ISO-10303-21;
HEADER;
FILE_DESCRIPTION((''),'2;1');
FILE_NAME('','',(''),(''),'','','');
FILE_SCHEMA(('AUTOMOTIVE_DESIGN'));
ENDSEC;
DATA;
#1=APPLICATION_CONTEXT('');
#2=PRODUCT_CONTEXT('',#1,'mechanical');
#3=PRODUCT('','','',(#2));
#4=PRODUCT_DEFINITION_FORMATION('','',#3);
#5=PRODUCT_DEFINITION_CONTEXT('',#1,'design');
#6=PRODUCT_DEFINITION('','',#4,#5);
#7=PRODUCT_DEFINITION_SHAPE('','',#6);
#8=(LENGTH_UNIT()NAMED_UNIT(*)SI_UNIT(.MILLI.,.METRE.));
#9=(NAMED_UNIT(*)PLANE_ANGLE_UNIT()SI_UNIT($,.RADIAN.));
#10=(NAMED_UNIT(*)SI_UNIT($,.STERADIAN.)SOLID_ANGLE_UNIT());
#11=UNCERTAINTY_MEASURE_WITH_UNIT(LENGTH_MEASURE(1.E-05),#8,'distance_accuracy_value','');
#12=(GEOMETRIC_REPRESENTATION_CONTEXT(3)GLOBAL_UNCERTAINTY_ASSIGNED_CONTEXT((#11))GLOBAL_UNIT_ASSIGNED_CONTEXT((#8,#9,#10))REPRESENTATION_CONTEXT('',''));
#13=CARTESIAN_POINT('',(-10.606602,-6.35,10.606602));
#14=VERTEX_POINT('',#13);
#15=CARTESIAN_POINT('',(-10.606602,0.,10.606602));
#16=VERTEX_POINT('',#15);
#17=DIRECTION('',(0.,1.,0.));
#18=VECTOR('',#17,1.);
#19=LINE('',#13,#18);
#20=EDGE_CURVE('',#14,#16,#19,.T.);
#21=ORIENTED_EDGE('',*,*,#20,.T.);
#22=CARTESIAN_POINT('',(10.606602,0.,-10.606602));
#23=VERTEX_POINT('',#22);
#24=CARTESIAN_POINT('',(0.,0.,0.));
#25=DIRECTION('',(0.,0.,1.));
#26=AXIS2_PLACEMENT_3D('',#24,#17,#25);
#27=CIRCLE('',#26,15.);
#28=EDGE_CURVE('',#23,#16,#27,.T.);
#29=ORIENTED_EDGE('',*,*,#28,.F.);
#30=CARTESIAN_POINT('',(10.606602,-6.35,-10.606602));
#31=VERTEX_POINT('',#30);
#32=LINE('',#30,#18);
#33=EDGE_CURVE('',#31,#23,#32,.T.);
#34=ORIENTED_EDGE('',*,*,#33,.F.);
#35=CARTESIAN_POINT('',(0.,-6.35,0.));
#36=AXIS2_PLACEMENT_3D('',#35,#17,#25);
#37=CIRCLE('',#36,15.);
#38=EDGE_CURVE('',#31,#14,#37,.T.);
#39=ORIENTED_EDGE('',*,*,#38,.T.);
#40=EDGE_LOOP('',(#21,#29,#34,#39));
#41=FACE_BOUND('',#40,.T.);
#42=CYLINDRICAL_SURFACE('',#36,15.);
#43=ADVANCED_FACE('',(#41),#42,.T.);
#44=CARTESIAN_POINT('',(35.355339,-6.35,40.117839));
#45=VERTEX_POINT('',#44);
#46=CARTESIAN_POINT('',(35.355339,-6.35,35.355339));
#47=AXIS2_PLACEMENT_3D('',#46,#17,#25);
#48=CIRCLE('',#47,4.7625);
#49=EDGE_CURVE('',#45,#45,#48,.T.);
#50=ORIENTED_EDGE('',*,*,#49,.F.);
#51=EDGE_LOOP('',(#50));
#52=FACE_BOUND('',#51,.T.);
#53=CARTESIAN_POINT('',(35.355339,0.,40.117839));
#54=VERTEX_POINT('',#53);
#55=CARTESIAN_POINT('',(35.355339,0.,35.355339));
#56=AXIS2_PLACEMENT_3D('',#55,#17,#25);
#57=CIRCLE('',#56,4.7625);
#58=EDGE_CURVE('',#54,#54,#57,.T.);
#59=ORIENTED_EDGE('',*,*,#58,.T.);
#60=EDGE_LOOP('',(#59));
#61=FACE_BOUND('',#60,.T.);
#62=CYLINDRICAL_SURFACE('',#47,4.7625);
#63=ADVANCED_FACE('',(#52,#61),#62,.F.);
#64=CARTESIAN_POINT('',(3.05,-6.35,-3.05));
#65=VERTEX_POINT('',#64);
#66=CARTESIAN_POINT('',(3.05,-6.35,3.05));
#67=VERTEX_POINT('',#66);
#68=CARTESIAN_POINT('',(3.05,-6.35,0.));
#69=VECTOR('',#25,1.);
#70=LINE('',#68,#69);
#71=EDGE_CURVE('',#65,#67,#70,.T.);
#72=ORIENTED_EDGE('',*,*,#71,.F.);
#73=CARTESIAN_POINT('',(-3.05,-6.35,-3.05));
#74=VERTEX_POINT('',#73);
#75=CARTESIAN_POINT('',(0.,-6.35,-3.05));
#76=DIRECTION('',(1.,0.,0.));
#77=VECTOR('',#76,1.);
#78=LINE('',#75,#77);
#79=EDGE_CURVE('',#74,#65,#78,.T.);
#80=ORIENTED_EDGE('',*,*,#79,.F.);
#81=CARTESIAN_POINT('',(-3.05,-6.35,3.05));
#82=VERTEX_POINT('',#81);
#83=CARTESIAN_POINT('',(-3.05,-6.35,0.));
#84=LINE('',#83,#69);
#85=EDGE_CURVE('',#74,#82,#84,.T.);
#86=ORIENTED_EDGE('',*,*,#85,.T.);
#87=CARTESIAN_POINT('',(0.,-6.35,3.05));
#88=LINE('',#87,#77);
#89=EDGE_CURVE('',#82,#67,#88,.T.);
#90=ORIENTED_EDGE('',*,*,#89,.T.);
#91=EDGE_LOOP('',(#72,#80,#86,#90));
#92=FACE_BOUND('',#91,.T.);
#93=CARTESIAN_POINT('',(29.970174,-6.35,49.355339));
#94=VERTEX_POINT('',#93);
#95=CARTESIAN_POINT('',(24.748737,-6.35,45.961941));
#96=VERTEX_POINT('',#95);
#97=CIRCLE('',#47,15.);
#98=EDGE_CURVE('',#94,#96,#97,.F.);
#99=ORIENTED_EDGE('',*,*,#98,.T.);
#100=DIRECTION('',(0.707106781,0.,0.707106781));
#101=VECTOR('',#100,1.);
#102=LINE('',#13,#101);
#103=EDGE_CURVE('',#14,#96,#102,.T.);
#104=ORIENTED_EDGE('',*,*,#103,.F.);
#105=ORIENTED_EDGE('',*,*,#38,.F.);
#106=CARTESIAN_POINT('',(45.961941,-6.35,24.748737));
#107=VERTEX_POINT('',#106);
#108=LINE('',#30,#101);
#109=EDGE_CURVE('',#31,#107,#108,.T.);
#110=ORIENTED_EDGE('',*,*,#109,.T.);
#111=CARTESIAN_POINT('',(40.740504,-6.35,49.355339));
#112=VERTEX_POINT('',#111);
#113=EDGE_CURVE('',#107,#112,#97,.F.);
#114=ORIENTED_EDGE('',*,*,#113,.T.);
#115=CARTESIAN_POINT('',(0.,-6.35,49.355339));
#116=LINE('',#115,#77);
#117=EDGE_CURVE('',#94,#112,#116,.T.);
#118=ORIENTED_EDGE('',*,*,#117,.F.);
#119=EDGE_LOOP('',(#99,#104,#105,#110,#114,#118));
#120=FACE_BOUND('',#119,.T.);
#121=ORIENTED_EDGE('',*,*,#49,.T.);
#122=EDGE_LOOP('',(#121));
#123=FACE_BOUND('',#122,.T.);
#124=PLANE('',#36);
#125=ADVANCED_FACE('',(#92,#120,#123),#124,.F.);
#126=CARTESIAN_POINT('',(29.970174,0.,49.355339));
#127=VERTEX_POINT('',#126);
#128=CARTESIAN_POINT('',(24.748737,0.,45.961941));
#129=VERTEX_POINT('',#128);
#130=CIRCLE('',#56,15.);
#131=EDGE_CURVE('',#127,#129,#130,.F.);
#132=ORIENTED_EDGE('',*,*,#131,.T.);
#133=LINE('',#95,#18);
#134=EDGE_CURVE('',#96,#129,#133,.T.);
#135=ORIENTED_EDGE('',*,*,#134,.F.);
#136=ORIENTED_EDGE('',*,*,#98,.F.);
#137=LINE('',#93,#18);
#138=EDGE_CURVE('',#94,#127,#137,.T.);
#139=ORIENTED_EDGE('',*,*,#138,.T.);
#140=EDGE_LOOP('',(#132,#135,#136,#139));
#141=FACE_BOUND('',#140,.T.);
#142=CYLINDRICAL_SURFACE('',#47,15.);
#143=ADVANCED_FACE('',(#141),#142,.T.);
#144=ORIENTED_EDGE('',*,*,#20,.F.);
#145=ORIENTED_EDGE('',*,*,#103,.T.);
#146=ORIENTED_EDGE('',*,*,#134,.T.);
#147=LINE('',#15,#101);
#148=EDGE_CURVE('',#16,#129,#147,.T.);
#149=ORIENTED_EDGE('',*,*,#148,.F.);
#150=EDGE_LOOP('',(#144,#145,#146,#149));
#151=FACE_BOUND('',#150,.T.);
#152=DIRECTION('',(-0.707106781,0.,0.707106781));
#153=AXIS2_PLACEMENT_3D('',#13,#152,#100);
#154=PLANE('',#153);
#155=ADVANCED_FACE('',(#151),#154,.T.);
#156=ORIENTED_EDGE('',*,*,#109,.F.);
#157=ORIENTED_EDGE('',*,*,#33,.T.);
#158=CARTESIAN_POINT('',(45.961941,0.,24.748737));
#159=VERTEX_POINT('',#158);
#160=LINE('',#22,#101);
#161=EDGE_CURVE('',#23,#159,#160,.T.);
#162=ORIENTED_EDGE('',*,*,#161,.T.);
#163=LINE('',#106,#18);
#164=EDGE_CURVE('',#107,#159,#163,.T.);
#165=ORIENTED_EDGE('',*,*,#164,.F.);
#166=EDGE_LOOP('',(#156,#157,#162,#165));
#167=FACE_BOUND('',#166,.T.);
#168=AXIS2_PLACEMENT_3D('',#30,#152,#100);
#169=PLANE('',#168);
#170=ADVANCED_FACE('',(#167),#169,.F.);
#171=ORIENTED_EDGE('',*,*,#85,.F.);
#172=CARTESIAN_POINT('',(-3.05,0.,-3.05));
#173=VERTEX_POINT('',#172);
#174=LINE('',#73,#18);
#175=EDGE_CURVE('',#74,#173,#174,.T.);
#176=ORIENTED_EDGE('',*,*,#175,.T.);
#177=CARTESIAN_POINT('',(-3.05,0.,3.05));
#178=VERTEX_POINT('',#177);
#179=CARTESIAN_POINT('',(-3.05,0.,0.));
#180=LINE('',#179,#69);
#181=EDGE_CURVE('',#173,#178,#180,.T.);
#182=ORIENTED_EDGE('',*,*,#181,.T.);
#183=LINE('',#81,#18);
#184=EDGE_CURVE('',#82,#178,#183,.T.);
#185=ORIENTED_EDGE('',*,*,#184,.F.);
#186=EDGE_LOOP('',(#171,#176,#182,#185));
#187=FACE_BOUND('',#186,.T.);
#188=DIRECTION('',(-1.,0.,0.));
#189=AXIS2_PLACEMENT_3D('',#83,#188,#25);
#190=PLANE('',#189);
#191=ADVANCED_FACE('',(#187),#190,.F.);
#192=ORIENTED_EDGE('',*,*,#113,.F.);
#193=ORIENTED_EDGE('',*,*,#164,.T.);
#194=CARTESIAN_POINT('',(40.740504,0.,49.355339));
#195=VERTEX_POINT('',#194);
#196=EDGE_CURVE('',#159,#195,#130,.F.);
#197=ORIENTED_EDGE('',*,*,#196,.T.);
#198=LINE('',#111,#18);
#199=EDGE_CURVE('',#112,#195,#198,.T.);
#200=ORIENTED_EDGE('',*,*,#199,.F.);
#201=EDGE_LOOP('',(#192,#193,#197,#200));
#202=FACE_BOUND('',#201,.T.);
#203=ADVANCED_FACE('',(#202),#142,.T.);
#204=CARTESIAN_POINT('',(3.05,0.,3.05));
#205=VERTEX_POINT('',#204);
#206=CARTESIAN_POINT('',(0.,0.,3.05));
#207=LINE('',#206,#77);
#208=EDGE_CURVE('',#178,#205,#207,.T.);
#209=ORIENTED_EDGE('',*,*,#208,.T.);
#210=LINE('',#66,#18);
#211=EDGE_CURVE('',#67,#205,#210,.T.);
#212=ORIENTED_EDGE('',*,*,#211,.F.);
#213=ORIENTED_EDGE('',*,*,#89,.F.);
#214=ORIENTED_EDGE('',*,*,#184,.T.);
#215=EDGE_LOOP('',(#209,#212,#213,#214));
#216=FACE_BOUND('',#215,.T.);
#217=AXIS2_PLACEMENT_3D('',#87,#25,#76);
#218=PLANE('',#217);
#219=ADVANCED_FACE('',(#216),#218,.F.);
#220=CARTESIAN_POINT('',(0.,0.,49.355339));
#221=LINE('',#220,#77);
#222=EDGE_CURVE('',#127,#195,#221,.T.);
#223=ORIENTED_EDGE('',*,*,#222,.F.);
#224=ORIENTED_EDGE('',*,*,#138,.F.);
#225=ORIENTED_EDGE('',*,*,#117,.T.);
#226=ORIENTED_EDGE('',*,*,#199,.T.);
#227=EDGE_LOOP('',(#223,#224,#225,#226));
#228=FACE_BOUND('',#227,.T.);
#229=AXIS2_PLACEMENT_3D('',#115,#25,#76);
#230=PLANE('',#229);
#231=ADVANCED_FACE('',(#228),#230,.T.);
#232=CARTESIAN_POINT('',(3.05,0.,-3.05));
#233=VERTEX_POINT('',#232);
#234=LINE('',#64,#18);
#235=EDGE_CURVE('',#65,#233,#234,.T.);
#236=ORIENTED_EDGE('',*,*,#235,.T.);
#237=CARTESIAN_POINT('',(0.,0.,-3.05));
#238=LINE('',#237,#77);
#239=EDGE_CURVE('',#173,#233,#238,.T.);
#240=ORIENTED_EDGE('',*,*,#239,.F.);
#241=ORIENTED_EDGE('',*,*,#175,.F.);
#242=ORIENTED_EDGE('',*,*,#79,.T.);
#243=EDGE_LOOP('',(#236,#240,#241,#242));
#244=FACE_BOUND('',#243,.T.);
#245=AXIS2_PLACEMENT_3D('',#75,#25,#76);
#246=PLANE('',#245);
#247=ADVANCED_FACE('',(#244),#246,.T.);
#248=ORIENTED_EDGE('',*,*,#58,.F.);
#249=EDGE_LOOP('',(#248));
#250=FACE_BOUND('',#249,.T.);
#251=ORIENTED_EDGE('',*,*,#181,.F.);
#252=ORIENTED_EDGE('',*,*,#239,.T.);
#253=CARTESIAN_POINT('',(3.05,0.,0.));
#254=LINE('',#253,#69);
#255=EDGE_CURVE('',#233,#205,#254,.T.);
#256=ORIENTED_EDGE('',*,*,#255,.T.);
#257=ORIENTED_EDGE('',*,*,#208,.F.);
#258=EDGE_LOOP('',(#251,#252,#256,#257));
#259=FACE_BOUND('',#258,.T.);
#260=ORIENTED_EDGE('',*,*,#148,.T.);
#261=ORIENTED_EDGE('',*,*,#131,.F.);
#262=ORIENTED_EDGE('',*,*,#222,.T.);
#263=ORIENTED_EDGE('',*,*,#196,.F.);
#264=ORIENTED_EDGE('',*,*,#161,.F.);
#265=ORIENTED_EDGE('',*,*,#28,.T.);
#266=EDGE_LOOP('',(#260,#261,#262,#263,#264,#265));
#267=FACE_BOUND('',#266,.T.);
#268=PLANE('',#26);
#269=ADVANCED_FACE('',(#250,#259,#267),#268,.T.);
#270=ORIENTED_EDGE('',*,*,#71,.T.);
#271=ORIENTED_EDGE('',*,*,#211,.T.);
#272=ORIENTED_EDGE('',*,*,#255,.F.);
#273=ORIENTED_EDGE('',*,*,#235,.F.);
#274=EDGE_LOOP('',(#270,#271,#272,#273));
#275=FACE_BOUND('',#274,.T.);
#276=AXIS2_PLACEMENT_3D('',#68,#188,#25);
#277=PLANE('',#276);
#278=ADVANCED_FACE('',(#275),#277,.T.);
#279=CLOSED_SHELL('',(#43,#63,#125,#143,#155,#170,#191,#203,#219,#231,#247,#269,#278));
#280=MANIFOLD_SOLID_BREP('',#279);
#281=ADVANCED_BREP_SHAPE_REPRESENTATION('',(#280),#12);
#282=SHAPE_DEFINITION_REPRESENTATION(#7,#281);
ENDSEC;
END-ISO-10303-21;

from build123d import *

# Parameters (mm, degrees)
SKETCH2_R           = 4.7625
SKETCH2_W           = 6.1
SKETCH2_H           = 6.1
BOSS_EXTRUDE1_DEPTH = 6.35


with BuildPart() as part:
    # Sketch2 → Boss-Extrude1 (new body)
    with BuildSketch(Plane(origin=(0, 0, 0), x_dir=(1, 0, 0), z_dir=(0, 1, 0))):
        with BuildLine():
            Line((45.961940777, -24.748737342), (10.606601718, 10.606601718))
            ThreePointArc((10.606601718, 10.606601718), (-10.606601718, 10.606601718), (-10.606601718, -10.606601718))
            Line((-10.606601718, -10.606601718), (24.748737342, -45.961940777))
            ThreePointArc((24.748737342, -45.961940777), (27.181420958, -47.93258291), (29.970174252, -49.355339059))
            Line((29.970174252, -49.355339059), (40.740503866, -49.355339059))
            ThreePointArc((40.740503866, -49.355339059), (50.028626393, -38.468960557), (45.961940777, -24.748737342))
        make_face()
        with Locations(Location((35.355339059, -35.355339059, 0), (0, 0, 270))):
            Circle(SKETCH2_R, mode=Mode.SUBTRACT)
        Rectangle(SKETCH2_W, SKETCH2_H, mode=Mode.SUBTRACT)
    extrude(amount=-BOSS_EXTRUDE1_DEPTH)


solid = part.part
